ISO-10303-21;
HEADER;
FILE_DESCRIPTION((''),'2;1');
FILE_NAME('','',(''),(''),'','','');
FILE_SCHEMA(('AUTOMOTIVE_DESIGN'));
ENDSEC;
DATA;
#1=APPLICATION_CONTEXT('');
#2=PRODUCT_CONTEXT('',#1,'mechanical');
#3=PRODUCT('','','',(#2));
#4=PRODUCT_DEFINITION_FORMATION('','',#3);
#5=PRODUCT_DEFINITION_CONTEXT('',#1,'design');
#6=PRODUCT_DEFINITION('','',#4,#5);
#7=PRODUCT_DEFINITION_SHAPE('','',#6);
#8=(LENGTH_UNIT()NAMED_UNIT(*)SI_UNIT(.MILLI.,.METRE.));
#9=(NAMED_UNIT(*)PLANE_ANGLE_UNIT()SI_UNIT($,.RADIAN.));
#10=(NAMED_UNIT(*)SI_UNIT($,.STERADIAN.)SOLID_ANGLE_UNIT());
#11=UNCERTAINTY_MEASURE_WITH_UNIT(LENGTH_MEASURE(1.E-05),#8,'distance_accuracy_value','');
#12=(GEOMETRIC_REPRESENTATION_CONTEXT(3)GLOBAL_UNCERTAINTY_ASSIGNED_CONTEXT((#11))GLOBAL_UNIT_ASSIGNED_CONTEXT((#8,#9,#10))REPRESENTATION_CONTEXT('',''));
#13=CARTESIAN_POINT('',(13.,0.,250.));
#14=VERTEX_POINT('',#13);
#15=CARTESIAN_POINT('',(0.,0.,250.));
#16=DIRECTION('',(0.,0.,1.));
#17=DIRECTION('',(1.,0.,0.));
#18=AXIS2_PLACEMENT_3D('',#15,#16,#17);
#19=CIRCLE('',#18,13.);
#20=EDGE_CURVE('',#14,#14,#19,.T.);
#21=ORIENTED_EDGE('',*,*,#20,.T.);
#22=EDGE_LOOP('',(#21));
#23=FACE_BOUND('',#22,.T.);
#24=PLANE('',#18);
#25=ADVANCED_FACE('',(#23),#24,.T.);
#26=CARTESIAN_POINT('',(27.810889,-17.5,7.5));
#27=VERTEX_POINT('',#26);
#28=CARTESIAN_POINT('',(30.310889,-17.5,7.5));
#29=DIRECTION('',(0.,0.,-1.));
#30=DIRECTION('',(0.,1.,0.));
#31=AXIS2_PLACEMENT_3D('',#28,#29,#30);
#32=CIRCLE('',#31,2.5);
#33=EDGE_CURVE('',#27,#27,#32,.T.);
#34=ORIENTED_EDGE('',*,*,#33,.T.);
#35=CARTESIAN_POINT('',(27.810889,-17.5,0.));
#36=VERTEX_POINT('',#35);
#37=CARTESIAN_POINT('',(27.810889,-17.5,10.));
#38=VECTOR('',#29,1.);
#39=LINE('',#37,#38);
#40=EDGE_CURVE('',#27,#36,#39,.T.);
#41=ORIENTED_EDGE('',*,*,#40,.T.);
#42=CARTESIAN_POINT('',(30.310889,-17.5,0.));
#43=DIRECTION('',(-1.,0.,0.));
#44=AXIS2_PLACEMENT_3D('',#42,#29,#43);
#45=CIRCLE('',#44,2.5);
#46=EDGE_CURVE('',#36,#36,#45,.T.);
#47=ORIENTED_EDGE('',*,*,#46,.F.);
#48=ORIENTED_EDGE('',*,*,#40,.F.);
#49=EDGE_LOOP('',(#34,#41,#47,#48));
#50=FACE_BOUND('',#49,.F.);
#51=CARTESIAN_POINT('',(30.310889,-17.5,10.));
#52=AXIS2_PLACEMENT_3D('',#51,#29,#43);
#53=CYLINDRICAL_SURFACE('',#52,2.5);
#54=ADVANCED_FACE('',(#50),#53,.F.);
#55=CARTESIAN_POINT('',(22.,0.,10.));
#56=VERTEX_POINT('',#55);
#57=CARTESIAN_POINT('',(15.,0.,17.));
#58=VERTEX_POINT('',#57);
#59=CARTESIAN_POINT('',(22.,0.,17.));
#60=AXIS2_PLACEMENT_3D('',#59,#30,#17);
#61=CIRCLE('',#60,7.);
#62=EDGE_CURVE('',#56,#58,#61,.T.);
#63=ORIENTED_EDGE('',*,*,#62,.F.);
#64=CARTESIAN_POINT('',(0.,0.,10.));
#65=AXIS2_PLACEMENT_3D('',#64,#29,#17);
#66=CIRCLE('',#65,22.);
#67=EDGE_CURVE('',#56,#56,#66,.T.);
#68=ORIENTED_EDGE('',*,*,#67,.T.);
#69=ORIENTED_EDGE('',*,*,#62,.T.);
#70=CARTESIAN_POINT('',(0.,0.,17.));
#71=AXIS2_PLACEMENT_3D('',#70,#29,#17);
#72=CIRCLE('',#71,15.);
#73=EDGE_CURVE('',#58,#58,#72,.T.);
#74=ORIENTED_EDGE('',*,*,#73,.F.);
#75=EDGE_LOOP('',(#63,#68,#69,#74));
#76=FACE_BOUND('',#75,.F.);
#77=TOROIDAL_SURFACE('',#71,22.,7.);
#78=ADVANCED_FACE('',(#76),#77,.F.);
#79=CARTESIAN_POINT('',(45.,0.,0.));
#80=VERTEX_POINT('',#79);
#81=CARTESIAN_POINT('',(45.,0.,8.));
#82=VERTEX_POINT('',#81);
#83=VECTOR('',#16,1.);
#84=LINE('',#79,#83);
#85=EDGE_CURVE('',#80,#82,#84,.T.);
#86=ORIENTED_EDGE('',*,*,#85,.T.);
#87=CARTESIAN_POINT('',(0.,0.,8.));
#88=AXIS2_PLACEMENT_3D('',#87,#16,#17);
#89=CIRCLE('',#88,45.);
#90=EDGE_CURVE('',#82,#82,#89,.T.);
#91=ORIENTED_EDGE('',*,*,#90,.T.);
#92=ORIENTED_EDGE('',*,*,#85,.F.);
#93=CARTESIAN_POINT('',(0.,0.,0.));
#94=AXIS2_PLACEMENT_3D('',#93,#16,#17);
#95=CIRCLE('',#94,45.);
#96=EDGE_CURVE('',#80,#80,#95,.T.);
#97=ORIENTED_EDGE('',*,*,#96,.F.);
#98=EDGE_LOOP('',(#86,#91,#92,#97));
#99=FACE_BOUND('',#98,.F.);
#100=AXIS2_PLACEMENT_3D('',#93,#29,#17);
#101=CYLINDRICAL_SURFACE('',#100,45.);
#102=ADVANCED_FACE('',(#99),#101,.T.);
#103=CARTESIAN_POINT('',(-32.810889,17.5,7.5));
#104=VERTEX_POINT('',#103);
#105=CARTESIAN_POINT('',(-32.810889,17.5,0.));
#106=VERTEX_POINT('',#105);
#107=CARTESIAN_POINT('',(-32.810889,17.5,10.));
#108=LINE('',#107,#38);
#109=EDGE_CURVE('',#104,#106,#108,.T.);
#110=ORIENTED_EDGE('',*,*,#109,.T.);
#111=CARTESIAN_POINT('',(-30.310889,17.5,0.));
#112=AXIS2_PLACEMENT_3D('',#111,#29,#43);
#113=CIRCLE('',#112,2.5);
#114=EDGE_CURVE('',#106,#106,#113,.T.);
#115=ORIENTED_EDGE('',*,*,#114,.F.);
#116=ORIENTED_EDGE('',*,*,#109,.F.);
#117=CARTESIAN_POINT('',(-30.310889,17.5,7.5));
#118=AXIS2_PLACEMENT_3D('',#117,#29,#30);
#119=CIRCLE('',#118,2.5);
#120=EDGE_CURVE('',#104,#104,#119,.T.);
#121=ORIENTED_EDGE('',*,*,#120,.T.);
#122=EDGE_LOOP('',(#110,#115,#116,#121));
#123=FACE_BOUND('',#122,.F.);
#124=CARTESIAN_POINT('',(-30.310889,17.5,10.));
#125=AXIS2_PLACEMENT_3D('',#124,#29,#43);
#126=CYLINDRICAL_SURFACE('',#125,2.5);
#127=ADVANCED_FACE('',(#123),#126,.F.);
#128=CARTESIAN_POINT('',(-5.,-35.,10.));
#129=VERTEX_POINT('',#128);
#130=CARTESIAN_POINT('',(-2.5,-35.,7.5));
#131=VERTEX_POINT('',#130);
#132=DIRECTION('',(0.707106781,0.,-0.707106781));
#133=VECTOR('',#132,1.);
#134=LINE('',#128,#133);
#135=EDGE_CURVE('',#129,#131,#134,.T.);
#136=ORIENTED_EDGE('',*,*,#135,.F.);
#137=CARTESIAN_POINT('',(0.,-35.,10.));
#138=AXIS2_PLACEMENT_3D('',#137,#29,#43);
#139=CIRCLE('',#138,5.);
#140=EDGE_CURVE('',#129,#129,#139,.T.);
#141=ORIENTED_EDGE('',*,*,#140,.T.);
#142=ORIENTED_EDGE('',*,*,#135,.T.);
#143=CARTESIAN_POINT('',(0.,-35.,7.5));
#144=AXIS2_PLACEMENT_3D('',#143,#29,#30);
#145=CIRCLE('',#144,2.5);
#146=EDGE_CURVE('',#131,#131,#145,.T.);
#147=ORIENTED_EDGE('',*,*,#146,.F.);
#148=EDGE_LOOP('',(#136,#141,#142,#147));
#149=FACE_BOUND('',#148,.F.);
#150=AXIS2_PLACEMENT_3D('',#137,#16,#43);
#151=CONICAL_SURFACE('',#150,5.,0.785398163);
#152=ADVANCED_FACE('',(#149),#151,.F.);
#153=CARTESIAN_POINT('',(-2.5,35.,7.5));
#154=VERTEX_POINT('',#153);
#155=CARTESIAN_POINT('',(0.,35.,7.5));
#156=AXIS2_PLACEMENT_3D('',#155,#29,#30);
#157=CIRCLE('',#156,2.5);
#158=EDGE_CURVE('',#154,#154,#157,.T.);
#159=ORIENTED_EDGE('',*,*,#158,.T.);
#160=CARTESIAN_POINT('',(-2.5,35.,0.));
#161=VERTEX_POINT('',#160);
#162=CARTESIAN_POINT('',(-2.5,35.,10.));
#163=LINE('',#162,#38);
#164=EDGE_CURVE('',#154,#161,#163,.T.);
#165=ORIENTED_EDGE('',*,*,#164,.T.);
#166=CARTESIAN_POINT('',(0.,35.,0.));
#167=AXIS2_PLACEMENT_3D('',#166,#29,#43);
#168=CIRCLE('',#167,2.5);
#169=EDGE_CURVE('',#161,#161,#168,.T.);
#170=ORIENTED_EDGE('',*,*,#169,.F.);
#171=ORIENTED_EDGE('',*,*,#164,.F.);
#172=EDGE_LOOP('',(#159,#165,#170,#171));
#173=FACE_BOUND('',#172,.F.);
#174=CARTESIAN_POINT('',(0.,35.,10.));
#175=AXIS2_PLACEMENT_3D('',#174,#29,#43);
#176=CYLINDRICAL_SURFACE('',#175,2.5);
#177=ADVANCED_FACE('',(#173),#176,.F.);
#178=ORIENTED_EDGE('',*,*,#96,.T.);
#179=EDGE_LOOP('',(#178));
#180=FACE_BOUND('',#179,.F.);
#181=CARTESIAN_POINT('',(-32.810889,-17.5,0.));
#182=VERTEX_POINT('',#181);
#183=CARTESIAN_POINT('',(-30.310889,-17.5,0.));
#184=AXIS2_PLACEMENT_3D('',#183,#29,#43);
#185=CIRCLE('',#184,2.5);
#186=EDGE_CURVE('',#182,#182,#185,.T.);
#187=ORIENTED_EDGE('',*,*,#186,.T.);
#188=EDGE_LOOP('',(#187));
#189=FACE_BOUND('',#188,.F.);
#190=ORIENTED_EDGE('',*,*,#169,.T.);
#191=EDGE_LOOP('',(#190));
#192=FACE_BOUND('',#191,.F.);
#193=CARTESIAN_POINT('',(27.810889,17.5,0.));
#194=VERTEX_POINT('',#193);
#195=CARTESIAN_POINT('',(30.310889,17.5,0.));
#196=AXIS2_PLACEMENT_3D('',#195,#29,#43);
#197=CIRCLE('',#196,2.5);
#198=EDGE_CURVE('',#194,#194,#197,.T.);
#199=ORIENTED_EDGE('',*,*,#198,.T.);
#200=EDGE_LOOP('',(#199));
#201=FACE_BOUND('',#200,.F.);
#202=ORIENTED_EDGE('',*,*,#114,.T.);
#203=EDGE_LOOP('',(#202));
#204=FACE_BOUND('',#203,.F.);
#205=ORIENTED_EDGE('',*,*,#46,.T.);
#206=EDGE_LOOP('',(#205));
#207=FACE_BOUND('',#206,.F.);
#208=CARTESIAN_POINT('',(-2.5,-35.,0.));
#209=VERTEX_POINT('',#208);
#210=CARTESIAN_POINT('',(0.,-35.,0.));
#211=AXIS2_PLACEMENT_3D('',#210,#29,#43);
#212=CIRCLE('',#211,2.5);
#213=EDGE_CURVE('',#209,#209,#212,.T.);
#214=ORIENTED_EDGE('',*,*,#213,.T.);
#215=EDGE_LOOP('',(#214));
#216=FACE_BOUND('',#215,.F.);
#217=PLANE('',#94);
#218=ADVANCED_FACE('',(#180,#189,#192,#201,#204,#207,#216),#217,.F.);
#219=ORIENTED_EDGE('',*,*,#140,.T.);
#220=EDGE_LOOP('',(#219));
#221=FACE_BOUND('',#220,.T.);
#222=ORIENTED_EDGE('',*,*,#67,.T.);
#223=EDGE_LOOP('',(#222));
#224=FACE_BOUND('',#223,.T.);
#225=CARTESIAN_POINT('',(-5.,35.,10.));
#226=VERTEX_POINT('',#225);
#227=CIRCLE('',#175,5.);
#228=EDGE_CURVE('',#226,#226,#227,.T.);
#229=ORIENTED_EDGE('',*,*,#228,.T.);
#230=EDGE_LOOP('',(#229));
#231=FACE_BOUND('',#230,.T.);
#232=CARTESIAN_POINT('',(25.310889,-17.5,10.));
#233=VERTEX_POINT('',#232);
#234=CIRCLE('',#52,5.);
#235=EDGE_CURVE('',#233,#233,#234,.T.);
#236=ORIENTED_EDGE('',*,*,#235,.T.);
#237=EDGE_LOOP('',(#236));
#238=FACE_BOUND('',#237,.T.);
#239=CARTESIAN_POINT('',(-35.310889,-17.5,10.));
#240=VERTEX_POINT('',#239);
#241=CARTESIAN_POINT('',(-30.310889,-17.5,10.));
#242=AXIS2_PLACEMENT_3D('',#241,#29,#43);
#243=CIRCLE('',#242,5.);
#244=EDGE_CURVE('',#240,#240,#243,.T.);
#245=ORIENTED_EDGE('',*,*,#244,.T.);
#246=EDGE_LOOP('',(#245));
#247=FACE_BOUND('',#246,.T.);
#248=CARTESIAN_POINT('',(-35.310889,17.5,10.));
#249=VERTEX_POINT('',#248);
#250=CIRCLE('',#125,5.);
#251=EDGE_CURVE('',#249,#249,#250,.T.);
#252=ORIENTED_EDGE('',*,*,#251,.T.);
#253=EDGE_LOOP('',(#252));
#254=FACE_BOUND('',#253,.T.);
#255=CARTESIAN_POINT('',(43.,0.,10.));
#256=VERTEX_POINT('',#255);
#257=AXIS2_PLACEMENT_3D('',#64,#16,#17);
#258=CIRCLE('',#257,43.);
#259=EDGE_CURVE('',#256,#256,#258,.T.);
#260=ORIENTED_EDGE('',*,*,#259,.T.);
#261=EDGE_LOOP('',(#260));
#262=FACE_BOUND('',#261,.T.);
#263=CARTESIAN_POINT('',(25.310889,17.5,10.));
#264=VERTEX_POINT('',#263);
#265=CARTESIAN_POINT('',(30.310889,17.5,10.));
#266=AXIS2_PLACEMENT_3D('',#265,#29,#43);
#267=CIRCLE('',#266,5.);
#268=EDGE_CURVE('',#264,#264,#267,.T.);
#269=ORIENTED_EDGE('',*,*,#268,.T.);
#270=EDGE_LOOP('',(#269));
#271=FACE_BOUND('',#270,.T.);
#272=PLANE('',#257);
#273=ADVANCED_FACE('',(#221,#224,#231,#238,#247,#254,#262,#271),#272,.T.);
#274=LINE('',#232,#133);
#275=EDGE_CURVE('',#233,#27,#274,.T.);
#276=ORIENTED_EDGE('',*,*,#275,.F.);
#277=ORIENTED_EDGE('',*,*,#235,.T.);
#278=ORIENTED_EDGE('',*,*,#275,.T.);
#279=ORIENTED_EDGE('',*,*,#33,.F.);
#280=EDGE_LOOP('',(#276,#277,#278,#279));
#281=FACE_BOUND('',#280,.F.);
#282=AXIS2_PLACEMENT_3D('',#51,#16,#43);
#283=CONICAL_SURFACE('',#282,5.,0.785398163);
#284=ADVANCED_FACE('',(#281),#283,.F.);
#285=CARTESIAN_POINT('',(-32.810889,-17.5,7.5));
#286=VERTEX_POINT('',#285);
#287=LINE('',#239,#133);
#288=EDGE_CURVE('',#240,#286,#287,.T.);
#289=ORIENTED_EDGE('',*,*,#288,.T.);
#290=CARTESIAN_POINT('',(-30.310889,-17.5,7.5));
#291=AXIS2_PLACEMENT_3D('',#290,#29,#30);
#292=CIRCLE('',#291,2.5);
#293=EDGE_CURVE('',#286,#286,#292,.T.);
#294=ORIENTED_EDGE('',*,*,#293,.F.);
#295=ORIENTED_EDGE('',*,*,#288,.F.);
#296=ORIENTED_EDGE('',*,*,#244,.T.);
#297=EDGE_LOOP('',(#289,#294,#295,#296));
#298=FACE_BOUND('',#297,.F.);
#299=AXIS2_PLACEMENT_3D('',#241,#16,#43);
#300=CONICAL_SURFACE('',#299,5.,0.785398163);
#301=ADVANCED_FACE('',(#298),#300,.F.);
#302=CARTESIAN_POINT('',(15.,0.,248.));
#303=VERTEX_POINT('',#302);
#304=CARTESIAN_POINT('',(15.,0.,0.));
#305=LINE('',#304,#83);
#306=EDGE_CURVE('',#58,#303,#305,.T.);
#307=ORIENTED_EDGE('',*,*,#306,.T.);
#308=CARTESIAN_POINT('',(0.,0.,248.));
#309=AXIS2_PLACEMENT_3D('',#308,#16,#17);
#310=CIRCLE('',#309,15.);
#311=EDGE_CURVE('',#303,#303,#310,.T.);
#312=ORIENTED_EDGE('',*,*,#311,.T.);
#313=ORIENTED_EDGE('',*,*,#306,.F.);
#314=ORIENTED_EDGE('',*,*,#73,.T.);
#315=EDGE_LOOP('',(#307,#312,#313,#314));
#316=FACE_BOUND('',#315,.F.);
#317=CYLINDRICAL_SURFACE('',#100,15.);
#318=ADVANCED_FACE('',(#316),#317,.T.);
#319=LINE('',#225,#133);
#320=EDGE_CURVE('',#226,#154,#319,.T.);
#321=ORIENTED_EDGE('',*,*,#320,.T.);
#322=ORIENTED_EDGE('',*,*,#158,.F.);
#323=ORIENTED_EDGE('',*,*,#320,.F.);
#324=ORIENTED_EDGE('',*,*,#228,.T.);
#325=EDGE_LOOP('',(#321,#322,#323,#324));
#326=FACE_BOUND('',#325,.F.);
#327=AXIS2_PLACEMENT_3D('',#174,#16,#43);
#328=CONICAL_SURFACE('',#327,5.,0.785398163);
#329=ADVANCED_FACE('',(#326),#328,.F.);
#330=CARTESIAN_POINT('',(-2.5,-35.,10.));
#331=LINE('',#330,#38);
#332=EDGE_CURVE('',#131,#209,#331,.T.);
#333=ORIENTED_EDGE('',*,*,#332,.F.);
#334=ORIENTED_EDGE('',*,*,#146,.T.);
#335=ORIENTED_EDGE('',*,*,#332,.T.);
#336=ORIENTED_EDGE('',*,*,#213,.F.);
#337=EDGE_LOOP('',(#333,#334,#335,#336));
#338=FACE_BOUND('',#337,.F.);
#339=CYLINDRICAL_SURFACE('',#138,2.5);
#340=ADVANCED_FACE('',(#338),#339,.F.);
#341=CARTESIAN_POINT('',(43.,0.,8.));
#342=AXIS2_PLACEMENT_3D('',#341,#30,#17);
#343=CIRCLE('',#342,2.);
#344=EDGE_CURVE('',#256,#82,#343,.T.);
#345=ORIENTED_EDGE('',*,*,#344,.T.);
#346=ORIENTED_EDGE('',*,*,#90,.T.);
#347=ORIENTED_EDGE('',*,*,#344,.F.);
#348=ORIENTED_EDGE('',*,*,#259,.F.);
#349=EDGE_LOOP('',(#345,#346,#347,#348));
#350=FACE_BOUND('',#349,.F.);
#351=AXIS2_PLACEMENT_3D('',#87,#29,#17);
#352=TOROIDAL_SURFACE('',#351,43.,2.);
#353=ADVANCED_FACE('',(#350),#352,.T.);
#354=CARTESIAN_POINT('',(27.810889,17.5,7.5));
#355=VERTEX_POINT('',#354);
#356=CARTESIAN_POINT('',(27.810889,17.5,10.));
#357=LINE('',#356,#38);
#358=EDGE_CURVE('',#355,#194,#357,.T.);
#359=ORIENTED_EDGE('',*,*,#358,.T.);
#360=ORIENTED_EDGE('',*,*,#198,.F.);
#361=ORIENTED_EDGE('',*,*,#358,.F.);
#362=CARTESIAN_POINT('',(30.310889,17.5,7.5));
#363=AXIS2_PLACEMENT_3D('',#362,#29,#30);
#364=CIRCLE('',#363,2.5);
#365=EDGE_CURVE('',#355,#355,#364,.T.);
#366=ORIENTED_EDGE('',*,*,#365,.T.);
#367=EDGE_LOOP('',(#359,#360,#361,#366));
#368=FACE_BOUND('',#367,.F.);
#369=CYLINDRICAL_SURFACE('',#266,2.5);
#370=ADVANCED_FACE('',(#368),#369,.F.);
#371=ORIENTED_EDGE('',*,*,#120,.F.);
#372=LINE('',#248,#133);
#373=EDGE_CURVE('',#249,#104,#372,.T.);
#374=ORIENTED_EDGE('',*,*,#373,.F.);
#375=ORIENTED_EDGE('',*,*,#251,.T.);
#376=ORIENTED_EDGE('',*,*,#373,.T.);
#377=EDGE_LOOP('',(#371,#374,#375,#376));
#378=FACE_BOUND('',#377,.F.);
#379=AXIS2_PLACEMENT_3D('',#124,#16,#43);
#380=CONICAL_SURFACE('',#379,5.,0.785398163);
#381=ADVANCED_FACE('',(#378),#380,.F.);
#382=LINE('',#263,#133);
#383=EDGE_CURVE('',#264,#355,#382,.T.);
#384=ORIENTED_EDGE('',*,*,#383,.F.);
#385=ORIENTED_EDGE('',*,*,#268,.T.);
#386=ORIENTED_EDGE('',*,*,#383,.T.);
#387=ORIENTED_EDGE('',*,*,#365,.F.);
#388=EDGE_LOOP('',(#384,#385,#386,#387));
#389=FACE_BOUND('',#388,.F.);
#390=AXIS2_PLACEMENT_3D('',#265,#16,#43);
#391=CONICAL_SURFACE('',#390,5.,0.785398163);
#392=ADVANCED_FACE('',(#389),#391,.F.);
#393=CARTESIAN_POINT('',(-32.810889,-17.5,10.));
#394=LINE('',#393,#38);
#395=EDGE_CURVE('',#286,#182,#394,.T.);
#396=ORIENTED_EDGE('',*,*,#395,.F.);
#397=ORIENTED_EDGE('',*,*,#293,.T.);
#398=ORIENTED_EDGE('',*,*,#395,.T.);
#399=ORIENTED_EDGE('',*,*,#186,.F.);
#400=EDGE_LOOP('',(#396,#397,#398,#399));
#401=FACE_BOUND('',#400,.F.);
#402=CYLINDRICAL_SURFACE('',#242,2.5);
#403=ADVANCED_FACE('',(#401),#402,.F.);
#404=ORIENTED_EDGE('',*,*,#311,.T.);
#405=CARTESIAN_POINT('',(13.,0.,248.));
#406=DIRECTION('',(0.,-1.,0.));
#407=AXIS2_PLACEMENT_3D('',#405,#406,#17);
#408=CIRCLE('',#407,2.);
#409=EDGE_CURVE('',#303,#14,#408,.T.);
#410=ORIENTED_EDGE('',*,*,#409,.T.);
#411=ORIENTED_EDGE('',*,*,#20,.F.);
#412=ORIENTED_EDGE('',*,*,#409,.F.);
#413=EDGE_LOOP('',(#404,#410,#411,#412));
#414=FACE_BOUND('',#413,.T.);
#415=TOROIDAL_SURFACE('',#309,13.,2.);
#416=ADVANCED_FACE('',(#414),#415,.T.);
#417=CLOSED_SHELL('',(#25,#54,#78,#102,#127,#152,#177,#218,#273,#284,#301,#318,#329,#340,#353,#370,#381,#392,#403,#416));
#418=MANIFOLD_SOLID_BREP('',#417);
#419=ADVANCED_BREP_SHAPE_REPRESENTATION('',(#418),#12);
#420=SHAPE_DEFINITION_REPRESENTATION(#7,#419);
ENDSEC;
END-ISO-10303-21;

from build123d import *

# Parameters (mm, degrees)
F0_R           = 45
F1_DEPTH       = 10
F2_R           = 15
F3_DEPTH       = 250
F5_D           = 5
F5_CSINK_D     = 10
F5_CSINK_ANGLE = 90
F6_R           = 7
F7_R           = 2
F8_R           = 2


with BuildPart() as f1:
    # F0 (on Top) → F1 (new body)
    with BuildSketch(Plane.XY):
        Circle(F0_R)
    extrude(amount=F1_DEPTH)

    # F2 (on Top) → F3 (join)
    with BuildSketch(Plane.XY):
        Circle(F2_R)
    extrude(amount=F3_DEPTH)

    # F5 (through all)
    with Locations(Plane.XY.offset(10)):
        with Locations((0, 35), (-30.310889, 17.5), (-30.310889, -17.5), (0, -35), (30.310889, -17.5), (30.310889, 17.5)):
            CounterSinkHole(F5_D / 2, F5_CSINK_D / 2, counter_sink_angle=F5_CSINK_ANGLE)

    # F6
    f6_edges = [f1.edges().sort_by_distance(p)[0] for p in [
        (-15, 0, 10),
    ]]
    fillet(f6_edges, radius=F6_R)

    # F7
    f7_edges = [f1.edges().sort_by_distance(p)[0] for p in [
        (-15, 0, 250),
    ]]
    fillet(f7_edges, radius=F7_R)

    # F8
    f8_edges = [f1.edges().sort_by_distance(p)[0] for p in [
        (-45, 0, 10),
    ]]
    fillet(f8_edges, radius=F8_R)


solid = f1.part
